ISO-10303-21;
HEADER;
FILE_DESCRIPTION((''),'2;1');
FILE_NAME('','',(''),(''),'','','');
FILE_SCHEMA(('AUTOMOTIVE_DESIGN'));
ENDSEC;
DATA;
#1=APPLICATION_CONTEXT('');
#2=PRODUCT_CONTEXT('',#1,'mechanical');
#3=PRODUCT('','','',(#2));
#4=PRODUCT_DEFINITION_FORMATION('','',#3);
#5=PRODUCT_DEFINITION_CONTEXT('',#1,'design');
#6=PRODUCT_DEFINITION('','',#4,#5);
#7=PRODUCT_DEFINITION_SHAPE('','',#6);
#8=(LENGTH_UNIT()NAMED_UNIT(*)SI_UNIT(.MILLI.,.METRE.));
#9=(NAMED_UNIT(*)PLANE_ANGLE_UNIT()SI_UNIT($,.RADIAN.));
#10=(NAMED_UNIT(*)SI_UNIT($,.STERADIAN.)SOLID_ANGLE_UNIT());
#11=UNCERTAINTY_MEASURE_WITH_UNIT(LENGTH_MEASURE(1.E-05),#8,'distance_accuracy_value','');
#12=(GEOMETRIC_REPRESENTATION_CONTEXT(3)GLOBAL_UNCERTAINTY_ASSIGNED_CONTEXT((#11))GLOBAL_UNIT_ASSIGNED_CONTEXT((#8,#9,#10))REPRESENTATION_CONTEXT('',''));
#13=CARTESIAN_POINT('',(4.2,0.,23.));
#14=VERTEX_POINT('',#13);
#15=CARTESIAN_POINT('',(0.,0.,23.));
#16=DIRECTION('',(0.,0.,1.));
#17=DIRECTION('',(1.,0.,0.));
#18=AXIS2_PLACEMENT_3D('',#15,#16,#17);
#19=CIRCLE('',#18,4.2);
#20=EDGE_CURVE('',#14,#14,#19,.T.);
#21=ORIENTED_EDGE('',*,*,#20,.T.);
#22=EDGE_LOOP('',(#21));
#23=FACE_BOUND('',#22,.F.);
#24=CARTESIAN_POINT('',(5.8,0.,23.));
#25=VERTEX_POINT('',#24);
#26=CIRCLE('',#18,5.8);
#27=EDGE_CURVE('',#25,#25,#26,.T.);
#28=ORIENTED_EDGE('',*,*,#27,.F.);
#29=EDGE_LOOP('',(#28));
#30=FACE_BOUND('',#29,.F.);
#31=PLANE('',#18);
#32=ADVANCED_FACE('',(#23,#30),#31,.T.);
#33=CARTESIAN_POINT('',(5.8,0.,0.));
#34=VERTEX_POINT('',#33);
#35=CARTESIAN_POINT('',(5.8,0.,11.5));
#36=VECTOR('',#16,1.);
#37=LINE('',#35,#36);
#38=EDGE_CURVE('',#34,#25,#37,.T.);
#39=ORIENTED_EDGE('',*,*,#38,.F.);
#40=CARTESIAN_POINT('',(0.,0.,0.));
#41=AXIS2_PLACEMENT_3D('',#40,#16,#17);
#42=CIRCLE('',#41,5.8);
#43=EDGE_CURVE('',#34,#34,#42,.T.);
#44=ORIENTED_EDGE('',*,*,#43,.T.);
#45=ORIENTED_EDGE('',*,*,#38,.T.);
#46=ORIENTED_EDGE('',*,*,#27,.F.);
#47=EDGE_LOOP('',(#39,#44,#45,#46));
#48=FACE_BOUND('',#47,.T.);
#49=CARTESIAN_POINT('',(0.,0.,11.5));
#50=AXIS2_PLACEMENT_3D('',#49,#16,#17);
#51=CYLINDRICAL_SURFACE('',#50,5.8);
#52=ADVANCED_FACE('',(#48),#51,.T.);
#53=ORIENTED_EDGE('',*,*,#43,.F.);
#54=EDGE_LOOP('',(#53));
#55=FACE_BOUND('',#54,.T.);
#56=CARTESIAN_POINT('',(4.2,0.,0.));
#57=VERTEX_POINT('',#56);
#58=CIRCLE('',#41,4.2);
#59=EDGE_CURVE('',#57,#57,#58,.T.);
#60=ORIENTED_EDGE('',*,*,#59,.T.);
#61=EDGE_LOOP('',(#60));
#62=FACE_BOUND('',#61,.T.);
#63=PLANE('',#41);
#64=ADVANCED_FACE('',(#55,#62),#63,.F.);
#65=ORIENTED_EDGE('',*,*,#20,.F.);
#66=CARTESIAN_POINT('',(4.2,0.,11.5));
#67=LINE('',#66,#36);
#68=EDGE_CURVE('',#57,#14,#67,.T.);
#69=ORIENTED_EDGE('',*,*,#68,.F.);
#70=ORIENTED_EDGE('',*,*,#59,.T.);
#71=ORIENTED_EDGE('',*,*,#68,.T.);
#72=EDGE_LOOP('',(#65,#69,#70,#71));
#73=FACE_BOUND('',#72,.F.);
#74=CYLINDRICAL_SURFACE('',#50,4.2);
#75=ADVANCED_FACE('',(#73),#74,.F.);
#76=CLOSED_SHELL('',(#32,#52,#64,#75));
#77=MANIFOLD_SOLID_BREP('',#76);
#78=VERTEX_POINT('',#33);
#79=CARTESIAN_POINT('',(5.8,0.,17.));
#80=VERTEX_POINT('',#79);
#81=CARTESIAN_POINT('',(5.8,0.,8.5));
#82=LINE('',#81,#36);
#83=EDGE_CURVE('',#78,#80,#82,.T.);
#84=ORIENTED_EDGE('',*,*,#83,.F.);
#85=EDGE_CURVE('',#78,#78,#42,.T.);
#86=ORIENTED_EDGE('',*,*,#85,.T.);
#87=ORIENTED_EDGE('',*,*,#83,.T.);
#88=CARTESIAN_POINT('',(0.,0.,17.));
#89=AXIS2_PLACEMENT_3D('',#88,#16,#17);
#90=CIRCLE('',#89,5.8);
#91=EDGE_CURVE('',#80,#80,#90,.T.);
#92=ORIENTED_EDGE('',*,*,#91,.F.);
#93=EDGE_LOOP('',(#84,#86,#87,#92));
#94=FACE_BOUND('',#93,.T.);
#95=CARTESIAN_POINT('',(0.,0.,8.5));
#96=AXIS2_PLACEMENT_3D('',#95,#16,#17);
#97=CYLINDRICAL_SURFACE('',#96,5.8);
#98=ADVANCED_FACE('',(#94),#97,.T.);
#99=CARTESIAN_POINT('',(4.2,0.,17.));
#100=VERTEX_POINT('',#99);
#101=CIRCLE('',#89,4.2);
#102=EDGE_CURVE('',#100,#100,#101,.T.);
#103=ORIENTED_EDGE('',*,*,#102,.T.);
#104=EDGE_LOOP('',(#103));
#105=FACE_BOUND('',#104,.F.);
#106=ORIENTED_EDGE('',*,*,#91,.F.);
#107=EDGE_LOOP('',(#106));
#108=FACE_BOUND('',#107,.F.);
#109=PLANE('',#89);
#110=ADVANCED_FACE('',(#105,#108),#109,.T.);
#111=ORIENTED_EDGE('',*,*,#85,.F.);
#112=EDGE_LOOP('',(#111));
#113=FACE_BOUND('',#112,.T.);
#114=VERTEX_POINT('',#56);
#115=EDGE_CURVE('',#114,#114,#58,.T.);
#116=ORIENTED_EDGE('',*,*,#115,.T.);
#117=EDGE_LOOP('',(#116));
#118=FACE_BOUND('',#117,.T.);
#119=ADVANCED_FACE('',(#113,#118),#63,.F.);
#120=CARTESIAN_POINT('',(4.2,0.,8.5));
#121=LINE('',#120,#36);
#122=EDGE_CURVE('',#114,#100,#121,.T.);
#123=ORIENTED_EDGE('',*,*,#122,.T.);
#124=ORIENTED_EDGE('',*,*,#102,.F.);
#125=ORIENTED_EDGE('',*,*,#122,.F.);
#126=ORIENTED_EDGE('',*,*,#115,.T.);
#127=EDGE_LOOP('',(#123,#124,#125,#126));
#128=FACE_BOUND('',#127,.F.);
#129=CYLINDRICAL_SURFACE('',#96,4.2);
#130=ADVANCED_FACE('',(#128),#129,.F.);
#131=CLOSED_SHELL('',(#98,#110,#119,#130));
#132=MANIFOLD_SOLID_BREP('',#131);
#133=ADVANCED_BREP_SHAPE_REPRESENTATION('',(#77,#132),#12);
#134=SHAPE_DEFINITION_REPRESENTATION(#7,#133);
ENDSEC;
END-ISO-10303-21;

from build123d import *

# Parameters (mm, degrees)
SKETCH_W    = 1.6
SKETCH_H    = 23
SKETCH001_W = 1.6
SKETCH001_H = 17


with BuildPart() as body:
    # Sketch → Revolution001 (revolve)
    with BuildSketch(Plane.XZ):
        with Locations((5, 11.5)):
            Rectangle(SKETCH_W, SKETCH_H)
    revolve(axis=Axis((0, 0, 0), (0, 0, 1)))


with BuildPart() as body001:
    # Sketch001 → Revolution (revolve)
    with BuildSketch(Plane.XZ):
        with Locations((5, 8.5)):
            Rectangle(SKETCH001_W, SKETCH001_H)
    revolve(axis=Axis((0, 0, 0), (0, 0, 1)))


solid = Compound([body.part, body001.part])
